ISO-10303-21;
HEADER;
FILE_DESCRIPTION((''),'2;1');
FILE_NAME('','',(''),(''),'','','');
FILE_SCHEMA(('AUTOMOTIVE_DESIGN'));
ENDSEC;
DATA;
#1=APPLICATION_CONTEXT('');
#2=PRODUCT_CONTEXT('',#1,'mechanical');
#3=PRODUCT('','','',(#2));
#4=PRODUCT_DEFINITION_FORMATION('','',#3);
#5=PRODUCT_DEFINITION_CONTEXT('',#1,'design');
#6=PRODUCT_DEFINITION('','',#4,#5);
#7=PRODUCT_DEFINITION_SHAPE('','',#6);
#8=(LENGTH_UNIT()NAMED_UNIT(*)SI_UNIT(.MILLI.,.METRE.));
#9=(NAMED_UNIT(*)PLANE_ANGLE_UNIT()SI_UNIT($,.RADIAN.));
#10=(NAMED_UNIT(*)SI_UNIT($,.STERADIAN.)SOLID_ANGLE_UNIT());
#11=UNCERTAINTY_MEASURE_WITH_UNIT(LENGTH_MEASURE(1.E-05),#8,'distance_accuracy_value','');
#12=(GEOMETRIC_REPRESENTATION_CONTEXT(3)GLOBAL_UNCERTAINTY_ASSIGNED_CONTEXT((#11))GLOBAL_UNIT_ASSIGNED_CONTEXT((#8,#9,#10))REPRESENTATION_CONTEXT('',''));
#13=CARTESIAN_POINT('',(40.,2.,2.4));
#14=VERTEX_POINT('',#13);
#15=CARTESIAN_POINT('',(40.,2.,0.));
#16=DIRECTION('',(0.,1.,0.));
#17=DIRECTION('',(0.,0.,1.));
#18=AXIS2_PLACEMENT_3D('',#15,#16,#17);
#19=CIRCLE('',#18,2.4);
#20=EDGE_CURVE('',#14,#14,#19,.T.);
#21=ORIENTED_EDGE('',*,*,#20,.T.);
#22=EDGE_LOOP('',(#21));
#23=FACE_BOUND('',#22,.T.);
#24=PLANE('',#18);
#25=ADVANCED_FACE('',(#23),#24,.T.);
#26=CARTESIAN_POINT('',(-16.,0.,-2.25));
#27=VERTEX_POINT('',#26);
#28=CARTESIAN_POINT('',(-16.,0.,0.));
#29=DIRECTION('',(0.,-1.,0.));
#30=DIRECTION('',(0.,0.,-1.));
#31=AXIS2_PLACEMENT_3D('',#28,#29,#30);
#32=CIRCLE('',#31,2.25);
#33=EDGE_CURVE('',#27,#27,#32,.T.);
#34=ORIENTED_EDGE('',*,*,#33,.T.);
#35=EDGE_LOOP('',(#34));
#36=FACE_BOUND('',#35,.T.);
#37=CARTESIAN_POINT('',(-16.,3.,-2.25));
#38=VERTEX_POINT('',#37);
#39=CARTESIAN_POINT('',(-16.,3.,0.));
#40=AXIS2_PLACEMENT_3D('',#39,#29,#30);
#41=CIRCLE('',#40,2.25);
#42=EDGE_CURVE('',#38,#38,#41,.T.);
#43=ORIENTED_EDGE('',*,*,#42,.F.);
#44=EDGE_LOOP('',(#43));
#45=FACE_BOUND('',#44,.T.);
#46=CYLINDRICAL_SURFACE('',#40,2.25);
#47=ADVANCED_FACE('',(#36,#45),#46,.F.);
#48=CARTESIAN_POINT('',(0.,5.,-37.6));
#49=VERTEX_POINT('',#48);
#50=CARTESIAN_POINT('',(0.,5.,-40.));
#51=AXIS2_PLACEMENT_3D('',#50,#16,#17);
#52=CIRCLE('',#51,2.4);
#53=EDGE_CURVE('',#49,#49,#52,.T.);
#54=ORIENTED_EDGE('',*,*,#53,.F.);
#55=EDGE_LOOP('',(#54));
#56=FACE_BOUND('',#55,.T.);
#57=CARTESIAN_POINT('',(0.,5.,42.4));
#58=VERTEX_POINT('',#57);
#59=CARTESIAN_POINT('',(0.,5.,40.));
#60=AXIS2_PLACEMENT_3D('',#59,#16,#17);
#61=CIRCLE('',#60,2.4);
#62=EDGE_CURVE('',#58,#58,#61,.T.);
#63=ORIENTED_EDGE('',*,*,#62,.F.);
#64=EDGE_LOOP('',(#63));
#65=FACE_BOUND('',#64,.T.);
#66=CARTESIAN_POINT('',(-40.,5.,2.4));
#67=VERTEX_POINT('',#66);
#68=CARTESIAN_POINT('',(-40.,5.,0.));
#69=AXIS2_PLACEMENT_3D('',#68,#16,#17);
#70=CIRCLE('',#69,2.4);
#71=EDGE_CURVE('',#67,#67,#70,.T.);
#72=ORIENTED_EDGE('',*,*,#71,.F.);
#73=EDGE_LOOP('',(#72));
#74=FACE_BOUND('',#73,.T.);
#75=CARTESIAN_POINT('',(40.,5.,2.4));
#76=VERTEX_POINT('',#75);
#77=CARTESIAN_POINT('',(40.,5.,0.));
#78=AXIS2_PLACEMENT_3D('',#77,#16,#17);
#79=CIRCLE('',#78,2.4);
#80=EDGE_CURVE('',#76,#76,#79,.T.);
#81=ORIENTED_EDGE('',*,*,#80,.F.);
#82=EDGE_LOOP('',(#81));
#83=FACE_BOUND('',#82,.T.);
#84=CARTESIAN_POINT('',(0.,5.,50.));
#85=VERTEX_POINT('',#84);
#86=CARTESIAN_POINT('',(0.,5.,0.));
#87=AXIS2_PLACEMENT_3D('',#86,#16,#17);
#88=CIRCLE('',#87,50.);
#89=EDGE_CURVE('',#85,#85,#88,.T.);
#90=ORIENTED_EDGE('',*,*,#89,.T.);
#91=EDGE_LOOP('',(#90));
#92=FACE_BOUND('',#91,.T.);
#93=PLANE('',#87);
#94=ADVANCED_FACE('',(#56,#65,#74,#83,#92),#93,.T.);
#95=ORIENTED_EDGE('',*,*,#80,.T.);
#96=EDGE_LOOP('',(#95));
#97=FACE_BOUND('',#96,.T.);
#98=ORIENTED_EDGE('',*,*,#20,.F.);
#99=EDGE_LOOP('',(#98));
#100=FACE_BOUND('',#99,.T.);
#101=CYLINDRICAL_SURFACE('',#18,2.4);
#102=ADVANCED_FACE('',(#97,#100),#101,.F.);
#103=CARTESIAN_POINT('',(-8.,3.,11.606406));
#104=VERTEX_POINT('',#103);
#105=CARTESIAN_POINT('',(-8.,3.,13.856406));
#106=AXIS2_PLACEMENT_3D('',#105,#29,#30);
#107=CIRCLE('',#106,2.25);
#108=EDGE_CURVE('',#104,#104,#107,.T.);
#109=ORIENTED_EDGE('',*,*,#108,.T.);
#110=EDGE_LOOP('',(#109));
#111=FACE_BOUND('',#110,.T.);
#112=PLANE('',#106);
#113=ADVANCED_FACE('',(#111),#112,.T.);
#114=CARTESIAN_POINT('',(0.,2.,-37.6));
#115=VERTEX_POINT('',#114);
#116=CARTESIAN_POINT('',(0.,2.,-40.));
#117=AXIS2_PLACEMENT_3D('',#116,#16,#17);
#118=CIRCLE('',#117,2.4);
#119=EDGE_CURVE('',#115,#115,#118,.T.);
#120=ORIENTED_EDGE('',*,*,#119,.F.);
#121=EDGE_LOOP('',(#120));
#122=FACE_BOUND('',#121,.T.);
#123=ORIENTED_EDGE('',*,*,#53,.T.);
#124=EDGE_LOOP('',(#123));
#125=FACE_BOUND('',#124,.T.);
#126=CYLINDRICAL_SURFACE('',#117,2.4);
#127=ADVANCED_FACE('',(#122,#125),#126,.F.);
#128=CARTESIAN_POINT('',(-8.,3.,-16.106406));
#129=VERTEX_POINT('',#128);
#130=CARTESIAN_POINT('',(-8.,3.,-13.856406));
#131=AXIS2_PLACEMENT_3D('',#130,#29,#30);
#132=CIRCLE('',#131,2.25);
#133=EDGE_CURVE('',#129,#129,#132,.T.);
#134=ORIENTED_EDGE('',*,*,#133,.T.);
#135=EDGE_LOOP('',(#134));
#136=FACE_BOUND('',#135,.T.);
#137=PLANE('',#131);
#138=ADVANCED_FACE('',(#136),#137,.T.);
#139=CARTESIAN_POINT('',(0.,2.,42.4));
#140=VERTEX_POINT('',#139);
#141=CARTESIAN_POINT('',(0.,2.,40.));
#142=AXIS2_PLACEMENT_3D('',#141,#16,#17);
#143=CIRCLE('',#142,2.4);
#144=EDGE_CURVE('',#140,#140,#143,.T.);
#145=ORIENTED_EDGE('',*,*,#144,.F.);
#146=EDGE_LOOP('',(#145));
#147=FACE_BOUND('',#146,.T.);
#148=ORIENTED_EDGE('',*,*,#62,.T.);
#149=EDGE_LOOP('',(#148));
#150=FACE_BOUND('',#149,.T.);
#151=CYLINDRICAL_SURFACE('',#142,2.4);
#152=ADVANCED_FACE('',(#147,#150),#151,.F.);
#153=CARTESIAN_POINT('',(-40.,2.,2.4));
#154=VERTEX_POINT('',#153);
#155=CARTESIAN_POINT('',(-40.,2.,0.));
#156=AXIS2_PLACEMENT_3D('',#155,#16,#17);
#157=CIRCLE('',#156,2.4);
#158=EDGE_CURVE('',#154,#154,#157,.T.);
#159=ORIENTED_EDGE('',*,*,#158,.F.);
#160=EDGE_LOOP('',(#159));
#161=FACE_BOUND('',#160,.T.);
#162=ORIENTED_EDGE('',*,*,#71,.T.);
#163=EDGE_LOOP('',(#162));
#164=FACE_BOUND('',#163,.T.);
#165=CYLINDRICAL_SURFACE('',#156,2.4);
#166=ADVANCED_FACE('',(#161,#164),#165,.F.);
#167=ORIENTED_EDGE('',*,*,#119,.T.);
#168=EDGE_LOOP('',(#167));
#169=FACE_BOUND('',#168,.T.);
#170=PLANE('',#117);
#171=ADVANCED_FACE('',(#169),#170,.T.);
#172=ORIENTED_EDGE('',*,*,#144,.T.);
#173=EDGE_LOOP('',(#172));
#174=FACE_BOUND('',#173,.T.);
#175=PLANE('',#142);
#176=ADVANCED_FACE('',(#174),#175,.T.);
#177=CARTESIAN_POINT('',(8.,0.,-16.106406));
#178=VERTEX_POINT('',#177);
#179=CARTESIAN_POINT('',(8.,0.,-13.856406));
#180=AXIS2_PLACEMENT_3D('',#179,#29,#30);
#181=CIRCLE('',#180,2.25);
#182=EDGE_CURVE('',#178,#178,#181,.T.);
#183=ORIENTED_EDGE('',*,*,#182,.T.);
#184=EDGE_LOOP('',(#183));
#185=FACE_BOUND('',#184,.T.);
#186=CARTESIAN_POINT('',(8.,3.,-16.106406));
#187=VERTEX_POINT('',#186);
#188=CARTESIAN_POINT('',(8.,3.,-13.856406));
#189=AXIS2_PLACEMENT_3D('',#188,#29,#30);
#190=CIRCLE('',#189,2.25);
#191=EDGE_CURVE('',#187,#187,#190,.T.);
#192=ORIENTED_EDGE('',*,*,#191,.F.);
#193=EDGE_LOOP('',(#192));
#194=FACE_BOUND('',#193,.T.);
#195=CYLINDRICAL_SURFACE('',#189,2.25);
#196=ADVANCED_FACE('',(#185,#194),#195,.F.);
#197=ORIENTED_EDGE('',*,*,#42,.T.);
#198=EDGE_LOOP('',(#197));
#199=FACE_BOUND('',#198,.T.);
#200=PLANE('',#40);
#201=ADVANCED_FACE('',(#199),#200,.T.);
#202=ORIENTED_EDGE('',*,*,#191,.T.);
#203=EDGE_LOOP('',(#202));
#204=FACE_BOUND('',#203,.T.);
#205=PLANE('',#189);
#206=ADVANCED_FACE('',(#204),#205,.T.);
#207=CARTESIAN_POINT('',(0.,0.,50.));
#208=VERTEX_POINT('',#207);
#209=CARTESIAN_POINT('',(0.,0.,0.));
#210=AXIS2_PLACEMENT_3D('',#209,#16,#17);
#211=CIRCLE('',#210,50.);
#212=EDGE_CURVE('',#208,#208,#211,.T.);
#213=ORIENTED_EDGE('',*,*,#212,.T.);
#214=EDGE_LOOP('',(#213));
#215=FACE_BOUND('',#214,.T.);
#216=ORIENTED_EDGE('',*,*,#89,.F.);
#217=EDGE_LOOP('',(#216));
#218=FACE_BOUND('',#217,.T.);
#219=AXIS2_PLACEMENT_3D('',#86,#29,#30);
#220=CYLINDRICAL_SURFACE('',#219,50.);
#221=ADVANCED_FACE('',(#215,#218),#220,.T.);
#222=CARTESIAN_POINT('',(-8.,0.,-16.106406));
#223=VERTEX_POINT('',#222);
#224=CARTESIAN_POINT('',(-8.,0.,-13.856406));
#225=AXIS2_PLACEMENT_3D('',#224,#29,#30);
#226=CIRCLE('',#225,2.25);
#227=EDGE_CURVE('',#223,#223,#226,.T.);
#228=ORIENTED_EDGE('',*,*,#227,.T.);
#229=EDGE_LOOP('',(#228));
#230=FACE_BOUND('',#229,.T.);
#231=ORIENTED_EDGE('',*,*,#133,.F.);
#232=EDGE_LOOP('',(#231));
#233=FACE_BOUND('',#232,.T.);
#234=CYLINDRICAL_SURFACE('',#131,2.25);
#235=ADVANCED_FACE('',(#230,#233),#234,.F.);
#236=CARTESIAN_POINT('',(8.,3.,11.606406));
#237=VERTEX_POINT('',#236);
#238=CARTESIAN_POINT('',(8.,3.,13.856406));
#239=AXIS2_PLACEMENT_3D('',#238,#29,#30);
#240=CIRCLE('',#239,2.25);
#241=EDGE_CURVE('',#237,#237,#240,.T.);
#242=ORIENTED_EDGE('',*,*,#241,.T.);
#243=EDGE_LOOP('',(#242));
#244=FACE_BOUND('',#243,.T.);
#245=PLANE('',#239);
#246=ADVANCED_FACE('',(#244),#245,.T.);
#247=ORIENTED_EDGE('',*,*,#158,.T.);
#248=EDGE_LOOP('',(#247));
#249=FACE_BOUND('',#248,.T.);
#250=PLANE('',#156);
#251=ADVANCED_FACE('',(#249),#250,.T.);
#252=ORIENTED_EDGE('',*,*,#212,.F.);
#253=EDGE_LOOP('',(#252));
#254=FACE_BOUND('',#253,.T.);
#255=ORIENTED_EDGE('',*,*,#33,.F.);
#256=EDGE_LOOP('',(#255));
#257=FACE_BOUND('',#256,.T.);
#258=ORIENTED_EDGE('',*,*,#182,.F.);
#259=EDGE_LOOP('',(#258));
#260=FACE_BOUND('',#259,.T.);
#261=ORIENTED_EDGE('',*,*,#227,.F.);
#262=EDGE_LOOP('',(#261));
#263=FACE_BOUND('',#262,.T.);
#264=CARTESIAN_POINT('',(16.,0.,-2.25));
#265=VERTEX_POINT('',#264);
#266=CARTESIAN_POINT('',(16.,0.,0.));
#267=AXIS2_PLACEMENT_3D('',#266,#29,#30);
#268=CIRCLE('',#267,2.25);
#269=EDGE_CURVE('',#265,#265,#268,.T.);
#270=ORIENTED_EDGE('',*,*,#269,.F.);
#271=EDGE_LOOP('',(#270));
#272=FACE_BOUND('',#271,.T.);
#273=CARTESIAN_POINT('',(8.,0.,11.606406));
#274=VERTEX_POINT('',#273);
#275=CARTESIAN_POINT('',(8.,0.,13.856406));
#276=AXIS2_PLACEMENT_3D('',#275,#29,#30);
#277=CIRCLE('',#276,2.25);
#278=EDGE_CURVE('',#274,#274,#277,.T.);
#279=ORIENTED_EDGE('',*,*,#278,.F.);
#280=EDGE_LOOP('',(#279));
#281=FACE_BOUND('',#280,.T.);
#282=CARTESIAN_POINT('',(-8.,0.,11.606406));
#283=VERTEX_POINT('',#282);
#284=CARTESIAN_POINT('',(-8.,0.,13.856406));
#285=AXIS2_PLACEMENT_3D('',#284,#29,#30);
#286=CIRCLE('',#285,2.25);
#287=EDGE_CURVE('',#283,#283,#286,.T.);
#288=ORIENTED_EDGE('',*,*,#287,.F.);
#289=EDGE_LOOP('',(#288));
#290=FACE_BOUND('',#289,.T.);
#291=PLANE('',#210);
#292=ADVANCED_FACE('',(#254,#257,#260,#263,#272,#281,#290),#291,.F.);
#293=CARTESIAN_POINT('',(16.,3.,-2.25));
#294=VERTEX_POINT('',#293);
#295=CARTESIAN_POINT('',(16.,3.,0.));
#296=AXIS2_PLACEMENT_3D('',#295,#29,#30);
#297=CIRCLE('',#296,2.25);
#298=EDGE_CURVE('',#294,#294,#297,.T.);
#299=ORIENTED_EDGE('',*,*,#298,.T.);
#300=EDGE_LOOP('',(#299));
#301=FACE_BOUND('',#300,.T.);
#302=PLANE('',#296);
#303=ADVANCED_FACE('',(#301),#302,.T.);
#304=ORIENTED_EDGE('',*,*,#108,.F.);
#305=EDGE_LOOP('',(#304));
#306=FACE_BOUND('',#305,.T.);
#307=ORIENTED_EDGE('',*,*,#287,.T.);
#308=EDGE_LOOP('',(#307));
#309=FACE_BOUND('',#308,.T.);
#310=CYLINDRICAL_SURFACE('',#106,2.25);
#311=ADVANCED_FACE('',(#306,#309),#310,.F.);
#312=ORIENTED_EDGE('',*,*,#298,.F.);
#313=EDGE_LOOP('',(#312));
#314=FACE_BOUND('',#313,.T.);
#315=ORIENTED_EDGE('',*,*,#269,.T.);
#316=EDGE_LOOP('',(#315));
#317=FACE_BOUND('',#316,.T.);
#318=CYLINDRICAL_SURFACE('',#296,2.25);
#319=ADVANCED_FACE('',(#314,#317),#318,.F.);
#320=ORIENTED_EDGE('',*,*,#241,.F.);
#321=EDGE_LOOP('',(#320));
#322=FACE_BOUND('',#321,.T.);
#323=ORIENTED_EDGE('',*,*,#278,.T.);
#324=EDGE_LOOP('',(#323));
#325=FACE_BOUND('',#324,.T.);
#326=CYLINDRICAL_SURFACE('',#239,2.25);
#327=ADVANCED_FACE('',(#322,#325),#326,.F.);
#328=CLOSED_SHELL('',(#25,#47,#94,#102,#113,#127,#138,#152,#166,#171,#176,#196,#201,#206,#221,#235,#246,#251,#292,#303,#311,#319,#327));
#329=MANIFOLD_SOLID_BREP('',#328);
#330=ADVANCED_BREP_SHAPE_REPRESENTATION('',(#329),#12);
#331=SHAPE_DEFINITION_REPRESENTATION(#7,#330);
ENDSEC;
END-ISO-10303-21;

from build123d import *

# Parameters (mm, degrees)
SKETCH_1_R          = 50
EXTRUDE_1_DEPTH     = 5
SKETCH_3_R          = 2.25
CUT_EXTRUDE_1_DEPTH = 3
SKETCH_4_R          = 2.4
CUT_EXTRUDE_2_DEPTH = 3


with BuildPart() as part:
    # 草图1 → 凸台-拉伸1 (new body)
    with BuildSketch(Plane(origin=(0, 0, 0), x_dir=(1, 0, 0), z_dir=(0, 1, 0))):
        Circle(SKETCH_1_R)
    extrude(amount=EXTRUDE_1_DEPTH)

    # 草图3 → 切除-拉伸1 (cut)
    with BuildSketch(Plane.XZ):
        with Locations((8, 13.856406461)):
            Circle(SKETCH_3_R)
        with Locations((16, 0)):
            Circle(SKETCH_3_R)
        with Locations((8, -13.856406461)):
            Circle(SKETCH_3_R)
        with Locations((-8, -13.856406461)):
            Circle(SKETCH_3_R)
        with Locations((-16, 0)):
            Circle(SKETCH_3_R)
        with Locations((-8, 13.856406461)):
            Circle(SKETCH_3_R)
    extrude(amount=-CUT_EXTRUDE_1_DEPTH, mode=Mode.SUBTRACT)

    # 草图4 → 切除-拉伸2 (cut)
    with BuildSketch(Plane(origin=(0, 5, 0), x_dir=(1, 0, 0), z_dir=(0, 1, 0))):
        with Locations((0, 40)):
            Circle(SKETCH_4_R)
        with Locations((40, 0)):
            Circle(SKETCH_4_R)
        with Locations((0, -40)):
            Circle(SKETCH_4_R)
        with Locations((-40, 0)):
            Circle(SKETCH_4_R)
    extrude(amount=-CUT_EXTRUDE_2_DEPTH, mode=Mode.SUBTRACT)


solid = part.part
